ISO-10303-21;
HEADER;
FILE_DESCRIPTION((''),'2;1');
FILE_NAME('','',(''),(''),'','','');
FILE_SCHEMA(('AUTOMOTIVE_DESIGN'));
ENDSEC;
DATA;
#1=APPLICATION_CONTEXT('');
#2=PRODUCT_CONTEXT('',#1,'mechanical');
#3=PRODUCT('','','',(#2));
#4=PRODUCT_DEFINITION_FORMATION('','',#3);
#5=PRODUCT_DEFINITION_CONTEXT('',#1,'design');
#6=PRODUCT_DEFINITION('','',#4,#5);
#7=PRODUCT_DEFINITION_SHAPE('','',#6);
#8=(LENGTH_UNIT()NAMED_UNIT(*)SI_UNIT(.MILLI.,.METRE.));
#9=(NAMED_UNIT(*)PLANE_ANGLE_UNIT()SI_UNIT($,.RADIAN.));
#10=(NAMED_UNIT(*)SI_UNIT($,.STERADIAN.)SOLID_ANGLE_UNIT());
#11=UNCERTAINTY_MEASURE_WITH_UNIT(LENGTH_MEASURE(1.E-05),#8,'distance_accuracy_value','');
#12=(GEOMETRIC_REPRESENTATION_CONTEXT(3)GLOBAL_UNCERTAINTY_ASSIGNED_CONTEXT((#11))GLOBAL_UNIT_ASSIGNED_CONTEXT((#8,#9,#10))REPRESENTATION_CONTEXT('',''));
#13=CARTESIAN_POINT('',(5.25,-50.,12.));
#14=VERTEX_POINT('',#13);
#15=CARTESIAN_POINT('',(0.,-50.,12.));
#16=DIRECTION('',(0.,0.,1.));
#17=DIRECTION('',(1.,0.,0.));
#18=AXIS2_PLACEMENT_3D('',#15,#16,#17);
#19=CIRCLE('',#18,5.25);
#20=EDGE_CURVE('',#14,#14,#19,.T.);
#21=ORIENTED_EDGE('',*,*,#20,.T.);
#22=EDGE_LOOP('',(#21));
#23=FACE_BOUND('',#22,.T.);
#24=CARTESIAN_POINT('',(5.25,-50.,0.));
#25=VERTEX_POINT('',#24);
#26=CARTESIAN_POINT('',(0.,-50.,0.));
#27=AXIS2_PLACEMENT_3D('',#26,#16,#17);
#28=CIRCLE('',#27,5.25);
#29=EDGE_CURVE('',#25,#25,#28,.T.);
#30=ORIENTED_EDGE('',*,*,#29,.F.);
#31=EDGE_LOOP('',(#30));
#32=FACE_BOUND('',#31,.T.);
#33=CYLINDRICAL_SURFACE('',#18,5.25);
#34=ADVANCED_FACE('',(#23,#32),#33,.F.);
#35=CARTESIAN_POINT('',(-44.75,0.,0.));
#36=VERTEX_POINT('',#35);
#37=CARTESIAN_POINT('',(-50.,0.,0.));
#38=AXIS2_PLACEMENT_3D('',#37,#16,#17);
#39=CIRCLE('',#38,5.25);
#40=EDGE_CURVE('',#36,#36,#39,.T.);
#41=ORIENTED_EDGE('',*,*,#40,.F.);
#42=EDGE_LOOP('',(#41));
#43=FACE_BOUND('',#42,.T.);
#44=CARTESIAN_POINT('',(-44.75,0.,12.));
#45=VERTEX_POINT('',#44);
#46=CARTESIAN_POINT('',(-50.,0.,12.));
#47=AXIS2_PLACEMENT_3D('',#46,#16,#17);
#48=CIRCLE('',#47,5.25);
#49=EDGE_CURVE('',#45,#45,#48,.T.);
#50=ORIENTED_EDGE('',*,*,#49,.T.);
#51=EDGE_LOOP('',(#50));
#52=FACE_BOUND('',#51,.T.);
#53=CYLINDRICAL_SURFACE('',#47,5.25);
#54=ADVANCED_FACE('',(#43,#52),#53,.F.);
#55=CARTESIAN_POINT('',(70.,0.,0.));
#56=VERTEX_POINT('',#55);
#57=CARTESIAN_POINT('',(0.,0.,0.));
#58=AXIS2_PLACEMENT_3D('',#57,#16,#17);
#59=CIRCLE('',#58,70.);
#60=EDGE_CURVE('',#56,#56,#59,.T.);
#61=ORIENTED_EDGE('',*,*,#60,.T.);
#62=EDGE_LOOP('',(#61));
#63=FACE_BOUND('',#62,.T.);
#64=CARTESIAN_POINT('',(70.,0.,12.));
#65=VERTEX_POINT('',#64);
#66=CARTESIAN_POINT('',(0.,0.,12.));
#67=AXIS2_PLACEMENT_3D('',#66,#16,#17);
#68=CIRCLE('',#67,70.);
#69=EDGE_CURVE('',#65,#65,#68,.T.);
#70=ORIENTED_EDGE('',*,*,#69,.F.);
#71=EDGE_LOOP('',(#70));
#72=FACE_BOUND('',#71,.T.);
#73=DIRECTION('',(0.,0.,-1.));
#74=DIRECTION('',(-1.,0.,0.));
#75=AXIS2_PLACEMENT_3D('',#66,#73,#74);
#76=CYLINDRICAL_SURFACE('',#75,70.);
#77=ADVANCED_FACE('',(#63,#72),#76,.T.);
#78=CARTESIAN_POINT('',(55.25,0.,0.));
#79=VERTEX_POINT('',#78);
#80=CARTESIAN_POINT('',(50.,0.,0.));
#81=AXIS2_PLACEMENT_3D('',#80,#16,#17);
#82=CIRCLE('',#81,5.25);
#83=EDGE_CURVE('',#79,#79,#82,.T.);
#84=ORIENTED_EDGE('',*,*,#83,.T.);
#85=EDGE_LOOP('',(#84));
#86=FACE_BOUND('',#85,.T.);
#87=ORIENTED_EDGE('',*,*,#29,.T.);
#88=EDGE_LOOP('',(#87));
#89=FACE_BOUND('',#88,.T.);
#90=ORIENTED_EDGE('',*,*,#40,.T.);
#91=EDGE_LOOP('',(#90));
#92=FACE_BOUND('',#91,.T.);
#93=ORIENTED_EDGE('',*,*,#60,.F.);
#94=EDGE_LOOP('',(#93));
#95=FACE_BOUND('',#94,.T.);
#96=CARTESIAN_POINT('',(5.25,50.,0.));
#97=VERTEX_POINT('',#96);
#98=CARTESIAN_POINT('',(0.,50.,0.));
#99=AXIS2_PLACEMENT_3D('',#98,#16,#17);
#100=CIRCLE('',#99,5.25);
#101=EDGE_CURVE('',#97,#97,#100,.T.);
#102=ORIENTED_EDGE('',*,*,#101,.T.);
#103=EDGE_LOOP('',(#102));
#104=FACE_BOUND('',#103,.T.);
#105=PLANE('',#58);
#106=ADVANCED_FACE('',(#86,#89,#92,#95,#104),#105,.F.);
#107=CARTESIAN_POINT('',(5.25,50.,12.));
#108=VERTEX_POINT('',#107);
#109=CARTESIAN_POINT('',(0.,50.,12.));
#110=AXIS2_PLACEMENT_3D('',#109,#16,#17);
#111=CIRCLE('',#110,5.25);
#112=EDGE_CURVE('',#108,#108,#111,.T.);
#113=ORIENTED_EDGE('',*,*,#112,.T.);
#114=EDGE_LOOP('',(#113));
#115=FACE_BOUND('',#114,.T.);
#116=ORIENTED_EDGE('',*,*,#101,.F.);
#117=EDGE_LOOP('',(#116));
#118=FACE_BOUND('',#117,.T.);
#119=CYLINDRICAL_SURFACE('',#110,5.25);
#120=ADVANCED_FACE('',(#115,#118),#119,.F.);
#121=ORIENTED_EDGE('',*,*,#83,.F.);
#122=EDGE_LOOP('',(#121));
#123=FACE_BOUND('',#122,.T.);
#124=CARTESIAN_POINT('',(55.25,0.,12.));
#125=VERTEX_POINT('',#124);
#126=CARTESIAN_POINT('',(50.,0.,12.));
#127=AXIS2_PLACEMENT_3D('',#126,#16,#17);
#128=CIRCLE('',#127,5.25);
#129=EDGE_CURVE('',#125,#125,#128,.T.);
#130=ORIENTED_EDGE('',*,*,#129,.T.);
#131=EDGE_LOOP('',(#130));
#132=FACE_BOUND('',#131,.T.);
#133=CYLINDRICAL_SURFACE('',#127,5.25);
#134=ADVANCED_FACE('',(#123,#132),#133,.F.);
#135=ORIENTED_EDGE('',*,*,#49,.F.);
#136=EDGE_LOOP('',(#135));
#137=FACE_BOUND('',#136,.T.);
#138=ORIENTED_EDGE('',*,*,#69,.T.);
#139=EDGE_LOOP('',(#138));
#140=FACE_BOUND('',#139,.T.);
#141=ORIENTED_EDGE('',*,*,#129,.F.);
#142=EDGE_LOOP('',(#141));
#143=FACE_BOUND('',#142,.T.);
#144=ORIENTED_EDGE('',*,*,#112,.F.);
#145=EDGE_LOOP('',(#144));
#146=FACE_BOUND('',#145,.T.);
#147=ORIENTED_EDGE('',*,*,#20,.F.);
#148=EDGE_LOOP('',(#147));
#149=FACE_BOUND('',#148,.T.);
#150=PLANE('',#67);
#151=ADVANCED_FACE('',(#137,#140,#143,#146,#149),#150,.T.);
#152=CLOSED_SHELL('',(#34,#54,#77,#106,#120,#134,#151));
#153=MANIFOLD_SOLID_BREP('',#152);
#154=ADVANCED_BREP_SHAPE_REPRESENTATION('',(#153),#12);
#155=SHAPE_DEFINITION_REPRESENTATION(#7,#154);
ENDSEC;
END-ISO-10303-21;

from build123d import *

# Parameters (mm, degrees)
SKETCH1_R                    = 70
BOSS_EXTRUDE1_DEPTH          = 12
TAP_DRILL_FOR_M12X1_5_TAP1_D = 10.5
CIRPATTERN1_COUNT            = 4


with BuildPart() as part:
    # Sketch1 → Boss-Extrude1 (new body)
    with BuildSketch(Plane.XY):
        Circle(SKETCH1_R)
    extrude(amount=BOSS_EXTRUDE1_DEPTH)

    # Tap Drill for M12x1.5 Tap1 (through all)
    with Locations(Plane(origin=(0, 50, 12), x_dir=(1, 0, 0), z_dir=(0, 0, 1))):
        with Locations((0, 0)):
            tap_drill_for_m12x1_5_tap1 = Hole(TAP_DRILL_FOR_M12X1_5_TAP1_D / 2)

    # CirPattern1: Tap Drill for M12x1.5 Tap1 ×4 about axis
    cirpattern1_axis = Axis((0, 0, 0), (0, 0, 1))
    for i in range(1, CIRPATTERN1_COUNT):
        add(tap_drill_for_m12x1_5_tap1.rotate(cirpattern1_axis, i * 360 / CIRPATTERN1_COUNT), mode=Mode.SUBTRACT)


solid = part.part
